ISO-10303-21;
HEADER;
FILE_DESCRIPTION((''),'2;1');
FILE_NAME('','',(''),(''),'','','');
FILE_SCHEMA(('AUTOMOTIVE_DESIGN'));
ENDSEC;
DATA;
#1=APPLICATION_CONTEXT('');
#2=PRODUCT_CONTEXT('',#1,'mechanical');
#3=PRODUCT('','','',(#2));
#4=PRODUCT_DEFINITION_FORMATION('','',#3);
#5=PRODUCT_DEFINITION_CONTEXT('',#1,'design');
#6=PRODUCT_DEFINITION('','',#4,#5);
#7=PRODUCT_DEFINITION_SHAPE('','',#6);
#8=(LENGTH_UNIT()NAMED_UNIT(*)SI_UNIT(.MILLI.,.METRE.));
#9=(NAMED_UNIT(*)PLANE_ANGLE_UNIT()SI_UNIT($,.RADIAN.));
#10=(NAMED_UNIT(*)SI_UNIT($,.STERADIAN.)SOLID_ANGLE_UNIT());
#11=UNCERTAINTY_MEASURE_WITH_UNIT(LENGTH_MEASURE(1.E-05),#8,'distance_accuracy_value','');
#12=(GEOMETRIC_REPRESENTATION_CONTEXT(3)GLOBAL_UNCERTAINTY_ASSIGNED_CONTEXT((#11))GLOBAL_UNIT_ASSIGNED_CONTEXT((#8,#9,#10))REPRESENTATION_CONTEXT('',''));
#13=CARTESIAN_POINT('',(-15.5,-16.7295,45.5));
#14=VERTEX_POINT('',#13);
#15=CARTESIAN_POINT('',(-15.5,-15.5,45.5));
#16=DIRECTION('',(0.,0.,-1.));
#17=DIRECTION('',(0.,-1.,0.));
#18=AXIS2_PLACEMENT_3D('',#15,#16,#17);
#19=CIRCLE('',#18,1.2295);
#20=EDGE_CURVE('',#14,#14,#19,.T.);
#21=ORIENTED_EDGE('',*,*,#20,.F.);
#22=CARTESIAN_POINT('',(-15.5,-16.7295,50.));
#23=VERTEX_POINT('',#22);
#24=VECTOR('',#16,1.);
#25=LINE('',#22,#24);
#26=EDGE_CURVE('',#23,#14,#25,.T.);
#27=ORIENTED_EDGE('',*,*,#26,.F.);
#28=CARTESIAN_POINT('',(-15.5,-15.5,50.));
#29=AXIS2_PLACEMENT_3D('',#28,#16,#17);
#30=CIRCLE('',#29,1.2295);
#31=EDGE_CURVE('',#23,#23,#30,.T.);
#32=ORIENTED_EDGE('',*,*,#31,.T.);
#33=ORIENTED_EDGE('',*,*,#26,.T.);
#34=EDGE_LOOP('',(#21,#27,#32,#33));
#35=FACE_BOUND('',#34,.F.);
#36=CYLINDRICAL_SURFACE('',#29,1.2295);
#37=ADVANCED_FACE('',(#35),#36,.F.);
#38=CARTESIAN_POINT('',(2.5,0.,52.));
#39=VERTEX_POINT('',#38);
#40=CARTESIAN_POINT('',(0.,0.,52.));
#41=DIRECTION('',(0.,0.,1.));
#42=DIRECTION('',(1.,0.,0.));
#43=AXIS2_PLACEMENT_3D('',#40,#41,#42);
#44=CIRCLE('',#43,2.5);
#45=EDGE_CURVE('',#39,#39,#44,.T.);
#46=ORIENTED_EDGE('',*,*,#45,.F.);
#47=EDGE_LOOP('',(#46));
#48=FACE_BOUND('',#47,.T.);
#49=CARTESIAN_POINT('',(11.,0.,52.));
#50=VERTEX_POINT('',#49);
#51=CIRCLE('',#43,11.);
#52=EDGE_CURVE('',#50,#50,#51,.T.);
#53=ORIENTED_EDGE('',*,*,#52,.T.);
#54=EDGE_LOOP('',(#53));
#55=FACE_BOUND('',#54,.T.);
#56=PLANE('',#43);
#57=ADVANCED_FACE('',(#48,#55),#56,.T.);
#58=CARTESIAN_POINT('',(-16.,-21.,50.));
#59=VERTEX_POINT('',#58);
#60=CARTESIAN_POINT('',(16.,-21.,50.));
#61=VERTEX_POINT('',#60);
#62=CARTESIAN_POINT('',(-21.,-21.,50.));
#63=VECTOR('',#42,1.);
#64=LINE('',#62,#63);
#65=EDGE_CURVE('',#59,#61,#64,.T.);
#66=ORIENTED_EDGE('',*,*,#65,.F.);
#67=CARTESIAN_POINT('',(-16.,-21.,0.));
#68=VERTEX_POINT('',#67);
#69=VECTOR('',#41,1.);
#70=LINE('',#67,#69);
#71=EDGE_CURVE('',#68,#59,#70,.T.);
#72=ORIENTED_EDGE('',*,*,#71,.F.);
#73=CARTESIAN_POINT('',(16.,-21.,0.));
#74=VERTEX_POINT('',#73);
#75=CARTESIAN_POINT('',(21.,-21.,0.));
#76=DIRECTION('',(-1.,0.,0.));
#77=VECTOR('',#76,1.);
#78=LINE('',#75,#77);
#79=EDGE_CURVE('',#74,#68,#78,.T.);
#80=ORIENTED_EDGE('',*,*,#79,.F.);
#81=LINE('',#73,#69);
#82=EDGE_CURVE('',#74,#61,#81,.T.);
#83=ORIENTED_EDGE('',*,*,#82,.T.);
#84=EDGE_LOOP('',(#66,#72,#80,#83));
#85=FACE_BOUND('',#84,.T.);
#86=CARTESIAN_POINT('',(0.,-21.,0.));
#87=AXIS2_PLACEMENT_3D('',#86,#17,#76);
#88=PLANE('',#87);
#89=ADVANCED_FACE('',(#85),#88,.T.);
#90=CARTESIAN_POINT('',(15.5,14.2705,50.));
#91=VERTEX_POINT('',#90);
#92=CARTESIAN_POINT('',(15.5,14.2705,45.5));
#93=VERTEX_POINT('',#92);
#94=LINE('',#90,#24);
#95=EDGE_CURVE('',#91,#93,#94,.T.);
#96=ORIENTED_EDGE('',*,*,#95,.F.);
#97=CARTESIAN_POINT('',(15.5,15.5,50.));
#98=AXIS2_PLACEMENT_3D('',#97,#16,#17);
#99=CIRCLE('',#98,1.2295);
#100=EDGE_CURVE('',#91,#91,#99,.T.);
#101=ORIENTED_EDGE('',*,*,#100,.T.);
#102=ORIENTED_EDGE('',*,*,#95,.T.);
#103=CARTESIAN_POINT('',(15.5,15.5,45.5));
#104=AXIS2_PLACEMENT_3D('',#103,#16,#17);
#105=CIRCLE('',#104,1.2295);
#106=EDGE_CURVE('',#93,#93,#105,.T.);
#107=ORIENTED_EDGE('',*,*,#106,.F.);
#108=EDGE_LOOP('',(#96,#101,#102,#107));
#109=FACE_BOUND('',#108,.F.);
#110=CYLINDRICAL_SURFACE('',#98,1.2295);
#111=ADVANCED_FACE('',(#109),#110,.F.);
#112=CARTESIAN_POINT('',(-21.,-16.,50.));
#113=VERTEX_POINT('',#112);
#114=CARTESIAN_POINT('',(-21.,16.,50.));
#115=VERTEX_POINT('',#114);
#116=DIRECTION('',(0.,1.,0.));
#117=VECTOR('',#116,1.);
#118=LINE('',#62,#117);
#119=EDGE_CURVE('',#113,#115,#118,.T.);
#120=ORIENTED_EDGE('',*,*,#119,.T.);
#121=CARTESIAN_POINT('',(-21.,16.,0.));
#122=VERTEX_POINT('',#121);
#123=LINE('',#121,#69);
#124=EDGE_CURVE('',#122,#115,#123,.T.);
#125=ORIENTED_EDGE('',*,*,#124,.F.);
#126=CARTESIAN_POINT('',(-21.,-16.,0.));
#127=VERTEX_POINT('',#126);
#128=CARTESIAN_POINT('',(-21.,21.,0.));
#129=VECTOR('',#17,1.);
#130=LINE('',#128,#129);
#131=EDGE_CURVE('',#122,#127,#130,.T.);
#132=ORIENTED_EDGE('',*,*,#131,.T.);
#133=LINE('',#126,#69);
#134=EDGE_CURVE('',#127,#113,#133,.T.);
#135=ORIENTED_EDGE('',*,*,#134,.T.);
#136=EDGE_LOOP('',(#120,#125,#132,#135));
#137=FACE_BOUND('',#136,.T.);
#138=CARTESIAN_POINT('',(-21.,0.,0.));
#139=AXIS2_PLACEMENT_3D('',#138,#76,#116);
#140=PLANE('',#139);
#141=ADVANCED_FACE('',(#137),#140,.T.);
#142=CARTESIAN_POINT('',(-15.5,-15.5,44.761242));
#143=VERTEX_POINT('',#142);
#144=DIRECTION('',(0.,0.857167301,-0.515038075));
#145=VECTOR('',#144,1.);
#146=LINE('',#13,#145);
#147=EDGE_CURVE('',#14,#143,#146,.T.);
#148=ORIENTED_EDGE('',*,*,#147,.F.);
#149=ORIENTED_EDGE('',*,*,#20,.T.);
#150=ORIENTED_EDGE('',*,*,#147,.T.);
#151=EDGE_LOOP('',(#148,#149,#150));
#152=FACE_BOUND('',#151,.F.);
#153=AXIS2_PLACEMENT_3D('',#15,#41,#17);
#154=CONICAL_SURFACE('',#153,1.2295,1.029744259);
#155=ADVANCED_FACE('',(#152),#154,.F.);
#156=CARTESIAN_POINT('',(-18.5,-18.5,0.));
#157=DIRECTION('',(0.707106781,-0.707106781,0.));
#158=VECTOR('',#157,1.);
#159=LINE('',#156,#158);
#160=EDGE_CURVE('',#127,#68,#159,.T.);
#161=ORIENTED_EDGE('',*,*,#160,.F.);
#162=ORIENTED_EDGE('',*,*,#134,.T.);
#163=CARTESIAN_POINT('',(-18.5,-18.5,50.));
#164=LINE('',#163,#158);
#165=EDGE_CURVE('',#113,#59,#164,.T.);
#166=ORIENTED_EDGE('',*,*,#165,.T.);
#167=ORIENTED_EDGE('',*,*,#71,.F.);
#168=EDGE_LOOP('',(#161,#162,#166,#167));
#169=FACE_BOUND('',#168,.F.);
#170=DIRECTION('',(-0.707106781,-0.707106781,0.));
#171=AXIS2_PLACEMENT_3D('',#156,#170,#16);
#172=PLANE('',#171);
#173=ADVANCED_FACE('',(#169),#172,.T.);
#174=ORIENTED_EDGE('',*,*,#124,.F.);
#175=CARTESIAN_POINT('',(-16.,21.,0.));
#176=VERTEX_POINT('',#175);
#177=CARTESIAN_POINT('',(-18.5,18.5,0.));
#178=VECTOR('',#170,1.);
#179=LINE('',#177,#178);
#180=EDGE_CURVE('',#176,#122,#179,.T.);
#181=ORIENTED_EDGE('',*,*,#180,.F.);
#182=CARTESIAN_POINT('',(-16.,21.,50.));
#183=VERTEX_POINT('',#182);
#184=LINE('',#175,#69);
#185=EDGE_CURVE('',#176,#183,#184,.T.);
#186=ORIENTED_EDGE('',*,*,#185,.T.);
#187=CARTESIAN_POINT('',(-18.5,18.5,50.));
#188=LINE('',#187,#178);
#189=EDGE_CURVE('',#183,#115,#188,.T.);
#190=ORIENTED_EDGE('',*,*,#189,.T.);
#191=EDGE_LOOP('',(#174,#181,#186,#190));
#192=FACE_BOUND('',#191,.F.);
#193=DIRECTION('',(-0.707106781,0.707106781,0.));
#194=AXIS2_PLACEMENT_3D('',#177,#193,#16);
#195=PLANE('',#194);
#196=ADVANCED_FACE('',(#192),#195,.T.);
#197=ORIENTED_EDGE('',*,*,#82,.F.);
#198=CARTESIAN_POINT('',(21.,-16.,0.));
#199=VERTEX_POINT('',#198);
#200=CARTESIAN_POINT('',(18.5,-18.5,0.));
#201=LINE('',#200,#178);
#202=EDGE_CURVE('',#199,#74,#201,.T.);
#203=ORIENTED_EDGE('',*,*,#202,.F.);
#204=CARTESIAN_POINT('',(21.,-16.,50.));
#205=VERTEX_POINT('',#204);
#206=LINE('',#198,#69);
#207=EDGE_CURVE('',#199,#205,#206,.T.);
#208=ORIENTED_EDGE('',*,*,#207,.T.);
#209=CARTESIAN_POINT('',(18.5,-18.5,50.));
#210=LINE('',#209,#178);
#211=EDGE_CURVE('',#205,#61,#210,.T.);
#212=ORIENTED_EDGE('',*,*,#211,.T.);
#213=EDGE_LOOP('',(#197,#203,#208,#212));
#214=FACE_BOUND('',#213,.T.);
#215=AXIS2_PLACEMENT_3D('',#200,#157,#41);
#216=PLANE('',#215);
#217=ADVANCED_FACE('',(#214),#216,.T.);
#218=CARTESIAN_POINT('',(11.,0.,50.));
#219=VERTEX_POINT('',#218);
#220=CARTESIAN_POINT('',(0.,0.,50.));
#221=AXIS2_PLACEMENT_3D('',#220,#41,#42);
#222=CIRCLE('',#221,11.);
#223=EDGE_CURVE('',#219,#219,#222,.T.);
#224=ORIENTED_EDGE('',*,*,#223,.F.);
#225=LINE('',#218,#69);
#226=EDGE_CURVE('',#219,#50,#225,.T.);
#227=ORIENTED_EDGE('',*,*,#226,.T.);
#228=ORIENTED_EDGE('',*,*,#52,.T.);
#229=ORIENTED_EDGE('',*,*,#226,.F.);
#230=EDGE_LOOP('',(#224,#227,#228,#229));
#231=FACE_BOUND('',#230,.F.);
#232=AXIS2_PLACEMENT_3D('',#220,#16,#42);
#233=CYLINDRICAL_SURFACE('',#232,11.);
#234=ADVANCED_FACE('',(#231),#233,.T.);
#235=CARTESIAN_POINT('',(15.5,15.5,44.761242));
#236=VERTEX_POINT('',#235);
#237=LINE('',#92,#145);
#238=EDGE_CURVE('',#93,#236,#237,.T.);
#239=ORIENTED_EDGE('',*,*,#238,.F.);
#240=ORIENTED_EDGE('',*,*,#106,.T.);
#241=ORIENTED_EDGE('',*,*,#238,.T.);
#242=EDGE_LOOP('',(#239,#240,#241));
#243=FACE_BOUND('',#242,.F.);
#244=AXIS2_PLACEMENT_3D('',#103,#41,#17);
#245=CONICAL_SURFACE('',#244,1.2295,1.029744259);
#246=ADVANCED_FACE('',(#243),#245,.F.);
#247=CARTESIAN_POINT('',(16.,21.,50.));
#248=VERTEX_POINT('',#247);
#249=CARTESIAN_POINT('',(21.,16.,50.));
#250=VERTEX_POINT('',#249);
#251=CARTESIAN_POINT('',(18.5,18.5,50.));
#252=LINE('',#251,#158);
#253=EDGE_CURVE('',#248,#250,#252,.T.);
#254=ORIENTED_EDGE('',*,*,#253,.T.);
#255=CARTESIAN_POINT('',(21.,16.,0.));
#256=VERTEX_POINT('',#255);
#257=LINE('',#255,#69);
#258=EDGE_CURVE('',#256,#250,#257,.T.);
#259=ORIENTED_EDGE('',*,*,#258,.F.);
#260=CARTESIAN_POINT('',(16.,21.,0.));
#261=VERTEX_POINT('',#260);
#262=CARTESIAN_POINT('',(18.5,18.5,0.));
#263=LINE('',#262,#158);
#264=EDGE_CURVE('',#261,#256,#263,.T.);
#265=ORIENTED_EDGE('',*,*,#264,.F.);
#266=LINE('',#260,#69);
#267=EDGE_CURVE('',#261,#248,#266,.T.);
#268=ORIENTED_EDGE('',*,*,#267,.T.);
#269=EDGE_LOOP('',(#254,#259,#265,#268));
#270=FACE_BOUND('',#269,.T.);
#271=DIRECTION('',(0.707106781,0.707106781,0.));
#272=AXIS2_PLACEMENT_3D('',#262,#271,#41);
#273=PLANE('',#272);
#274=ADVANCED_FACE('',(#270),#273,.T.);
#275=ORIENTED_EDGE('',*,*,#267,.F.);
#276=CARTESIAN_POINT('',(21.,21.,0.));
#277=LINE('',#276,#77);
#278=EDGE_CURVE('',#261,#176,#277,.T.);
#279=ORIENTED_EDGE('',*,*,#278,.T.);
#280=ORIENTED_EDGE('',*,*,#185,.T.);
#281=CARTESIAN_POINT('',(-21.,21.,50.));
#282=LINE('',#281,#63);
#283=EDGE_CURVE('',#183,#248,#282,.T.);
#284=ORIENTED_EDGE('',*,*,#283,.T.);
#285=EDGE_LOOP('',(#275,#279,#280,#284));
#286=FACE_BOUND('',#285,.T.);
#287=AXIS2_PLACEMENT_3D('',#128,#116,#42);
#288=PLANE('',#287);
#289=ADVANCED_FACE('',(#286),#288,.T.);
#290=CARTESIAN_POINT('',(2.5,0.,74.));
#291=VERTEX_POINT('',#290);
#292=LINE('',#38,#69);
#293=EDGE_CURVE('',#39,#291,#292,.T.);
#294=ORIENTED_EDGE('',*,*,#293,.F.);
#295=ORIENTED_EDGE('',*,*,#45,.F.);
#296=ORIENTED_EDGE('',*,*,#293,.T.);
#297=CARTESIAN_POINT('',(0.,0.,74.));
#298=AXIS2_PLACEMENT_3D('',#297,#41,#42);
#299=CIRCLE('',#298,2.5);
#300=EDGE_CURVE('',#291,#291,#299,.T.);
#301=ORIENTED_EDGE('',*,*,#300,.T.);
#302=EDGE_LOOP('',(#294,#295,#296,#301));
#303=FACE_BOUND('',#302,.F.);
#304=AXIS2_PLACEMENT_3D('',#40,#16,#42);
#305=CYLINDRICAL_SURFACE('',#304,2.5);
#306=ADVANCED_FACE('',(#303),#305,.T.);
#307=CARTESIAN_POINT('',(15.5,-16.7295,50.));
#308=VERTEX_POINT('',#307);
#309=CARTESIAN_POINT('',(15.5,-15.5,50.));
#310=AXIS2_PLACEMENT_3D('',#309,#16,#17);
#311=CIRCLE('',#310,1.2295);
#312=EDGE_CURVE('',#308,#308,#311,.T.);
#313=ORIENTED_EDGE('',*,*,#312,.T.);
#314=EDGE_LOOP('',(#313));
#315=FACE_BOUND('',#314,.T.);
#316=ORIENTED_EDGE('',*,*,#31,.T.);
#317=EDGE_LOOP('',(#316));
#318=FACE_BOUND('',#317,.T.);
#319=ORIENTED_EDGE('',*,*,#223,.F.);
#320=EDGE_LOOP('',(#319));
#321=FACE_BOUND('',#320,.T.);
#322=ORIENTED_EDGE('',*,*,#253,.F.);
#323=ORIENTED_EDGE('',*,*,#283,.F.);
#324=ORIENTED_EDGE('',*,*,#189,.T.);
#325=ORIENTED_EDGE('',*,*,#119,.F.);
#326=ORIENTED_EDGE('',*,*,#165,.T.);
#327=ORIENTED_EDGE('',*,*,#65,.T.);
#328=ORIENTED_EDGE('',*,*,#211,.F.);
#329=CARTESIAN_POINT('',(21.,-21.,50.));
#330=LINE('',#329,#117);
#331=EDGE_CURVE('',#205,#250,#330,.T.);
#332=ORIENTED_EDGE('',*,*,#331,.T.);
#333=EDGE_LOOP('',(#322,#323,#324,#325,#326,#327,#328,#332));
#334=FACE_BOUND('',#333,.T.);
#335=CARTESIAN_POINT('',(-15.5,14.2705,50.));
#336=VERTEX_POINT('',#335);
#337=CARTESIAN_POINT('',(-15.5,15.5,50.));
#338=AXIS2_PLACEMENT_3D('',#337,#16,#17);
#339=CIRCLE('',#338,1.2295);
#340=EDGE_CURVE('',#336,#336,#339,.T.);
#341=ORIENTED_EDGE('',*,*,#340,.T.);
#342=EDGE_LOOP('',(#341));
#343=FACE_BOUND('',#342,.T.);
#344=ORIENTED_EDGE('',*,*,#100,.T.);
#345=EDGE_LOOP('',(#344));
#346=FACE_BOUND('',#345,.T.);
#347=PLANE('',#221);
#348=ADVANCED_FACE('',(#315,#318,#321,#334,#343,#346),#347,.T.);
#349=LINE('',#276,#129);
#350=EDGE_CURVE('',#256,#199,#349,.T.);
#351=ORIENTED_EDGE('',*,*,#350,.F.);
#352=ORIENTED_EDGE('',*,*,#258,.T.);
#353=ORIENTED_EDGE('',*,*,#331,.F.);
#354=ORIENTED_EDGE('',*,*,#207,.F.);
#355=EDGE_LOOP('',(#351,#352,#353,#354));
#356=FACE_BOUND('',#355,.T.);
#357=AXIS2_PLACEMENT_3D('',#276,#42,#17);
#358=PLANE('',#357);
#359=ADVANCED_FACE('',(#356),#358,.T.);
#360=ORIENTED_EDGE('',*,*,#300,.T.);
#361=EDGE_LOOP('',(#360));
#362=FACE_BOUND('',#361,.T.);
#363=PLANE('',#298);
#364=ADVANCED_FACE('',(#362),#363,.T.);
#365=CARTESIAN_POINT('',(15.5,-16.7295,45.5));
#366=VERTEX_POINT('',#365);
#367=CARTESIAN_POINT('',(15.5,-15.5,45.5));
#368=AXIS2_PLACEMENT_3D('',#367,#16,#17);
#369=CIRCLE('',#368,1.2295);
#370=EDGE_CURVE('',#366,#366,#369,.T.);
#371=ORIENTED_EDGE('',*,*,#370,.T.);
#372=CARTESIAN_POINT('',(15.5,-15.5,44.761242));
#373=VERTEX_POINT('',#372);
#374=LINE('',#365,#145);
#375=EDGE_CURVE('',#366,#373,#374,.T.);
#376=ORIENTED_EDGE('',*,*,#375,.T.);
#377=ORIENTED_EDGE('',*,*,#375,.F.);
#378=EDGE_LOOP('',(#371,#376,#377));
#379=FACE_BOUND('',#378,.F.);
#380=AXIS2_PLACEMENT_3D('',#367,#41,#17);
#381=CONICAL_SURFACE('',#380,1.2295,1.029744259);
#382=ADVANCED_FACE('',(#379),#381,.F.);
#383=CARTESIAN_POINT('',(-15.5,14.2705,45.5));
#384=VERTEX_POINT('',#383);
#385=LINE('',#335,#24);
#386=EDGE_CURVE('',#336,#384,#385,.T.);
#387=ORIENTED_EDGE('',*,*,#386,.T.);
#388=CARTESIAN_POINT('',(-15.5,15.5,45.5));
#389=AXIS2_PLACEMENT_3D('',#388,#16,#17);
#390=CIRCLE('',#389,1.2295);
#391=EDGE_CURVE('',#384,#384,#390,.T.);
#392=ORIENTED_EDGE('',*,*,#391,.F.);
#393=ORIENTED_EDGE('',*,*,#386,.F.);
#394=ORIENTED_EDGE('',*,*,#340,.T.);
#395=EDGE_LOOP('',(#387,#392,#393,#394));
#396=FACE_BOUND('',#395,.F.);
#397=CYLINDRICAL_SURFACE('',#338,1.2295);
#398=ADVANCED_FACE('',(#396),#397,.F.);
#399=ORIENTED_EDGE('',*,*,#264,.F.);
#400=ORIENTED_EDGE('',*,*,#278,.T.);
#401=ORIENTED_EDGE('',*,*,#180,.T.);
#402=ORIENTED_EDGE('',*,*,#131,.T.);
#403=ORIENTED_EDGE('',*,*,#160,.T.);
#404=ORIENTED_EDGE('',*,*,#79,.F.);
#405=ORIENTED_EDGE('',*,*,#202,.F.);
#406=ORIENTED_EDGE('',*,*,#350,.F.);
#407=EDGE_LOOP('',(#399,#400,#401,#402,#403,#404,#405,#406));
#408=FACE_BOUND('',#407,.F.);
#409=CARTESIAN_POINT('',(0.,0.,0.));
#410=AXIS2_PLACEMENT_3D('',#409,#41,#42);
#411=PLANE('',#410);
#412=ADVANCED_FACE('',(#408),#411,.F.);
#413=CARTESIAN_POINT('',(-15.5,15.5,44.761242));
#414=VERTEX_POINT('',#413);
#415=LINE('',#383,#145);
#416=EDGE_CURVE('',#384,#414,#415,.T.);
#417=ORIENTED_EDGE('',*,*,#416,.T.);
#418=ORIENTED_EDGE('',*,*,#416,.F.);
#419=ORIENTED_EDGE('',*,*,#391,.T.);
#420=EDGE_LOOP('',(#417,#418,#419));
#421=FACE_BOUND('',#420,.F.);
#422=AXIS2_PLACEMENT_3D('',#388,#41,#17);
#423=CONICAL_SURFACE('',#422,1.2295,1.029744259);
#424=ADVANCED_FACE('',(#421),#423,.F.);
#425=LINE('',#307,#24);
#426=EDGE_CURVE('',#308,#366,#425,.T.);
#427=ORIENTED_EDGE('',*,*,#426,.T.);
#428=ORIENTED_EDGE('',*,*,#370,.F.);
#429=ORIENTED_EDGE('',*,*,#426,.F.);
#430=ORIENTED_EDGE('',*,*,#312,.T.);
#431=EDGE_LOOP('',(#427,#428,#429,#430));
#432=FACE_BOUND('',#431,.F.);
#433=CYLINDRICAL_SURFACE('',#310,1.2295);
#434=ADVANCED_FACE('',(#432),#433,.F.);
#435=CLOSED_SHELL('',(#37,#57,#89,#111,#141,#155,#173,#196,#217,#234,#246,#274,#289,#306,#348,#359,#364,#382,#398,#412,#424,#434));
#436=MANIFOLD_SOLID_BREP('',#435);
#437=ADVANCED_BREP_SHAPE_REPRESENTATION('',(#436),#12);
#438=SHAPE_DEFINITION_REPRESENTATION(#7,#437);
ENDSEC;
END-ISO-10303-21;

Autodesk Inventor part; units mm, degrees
ref_plane "YZ Plane" through (0, 0, 0) normal (1, 0, 0) x (0, 1, 0)
ref_plane "XZ Plane" through (0, 0, 0) normal (0, 1, 0) x (-1, 0, 0)
ref_plane "XY Plane" through (0, 0, 0) normal (0, 0, 1) x (1, 0, 0)
sketch "Skizze1" plane through (0, 0, 0) normal (0, 0, 1) x (1, 0, 0)
  line L0 (-21, 21) -> (21, 21)
  line L1 (21, 21) -> (21, -21)
  line L2 (21, -21) -> (-21, -21)
  line L3 (-21, -21) -> (-21, 21)
  line L4 (-29.4, 0) -> (29.4, 0) projected
  line L5 (0, -29.4) -> (0, 29.4) projected
  point P0 (0, 0)
  dimension "d0" = 42
  dimension "d1" = 42
extrude "Extrusion1" add sketch "Skizze1" along normal blind 50
sketch "Skizze2" plane through (0, 0, 50) normal (0, 0, 1) x (1, 0, 0)
  circle A0 centre (0, 0) radius 11
  dimension "d4" = 22
extrude "Extrusion2" add sketch "Skizze2" along normal blind 2
sketch "Skizze3" plane through (0, 0, 52) normal (0, 0, 1) x (1, 0, 0)
  circle A0 centre (0, 0) radius 11 projected
  circle A1 centre (0, 0) radius 2.5
  dimension "d7" = 5
extrude "Extrusion3" add sketch "Skizze3" along normal blind 22 contours A1
chamfer "Fase1" distance 5 angle 45 4 edges at (-21, -21, 25) (21, -21, 25) (21, 21, 25) (-21, 21, 25)
sketch "Skizze4" plane through (0, 0, 50) normal (0, 0, 1) x (1, 0, 0)
  line L0 (-15.5, 15.5) -> (15.5, 15.5)
  line L1 (15.5, 15.5) -> (15.5, -15.5)
  line L2 (15.5, -15.5) -> (-15.5, -15.5)
  line L3 (-15.5, -15.5) -> (-15.5, 15.5)
  line L4 (-29.4, 0) -> (29.4, 0) projected
  line L5 (0, -29.4) -> (0, 29.4) projected
  dimension "d13" = 31
hole "Bohrung1" at (-15.5, 15.5, 50) at (15.5, 15.5, 50) at (15.5, -15.5, 50) at (-15.5, -15.5, 50) direction (0, 0, -1) diameter 2.459 depth 4.5 tip angle 118 thread size "M3x0.5" class "6H" standard "ISO Metric profile"
properties part number "Motor"
